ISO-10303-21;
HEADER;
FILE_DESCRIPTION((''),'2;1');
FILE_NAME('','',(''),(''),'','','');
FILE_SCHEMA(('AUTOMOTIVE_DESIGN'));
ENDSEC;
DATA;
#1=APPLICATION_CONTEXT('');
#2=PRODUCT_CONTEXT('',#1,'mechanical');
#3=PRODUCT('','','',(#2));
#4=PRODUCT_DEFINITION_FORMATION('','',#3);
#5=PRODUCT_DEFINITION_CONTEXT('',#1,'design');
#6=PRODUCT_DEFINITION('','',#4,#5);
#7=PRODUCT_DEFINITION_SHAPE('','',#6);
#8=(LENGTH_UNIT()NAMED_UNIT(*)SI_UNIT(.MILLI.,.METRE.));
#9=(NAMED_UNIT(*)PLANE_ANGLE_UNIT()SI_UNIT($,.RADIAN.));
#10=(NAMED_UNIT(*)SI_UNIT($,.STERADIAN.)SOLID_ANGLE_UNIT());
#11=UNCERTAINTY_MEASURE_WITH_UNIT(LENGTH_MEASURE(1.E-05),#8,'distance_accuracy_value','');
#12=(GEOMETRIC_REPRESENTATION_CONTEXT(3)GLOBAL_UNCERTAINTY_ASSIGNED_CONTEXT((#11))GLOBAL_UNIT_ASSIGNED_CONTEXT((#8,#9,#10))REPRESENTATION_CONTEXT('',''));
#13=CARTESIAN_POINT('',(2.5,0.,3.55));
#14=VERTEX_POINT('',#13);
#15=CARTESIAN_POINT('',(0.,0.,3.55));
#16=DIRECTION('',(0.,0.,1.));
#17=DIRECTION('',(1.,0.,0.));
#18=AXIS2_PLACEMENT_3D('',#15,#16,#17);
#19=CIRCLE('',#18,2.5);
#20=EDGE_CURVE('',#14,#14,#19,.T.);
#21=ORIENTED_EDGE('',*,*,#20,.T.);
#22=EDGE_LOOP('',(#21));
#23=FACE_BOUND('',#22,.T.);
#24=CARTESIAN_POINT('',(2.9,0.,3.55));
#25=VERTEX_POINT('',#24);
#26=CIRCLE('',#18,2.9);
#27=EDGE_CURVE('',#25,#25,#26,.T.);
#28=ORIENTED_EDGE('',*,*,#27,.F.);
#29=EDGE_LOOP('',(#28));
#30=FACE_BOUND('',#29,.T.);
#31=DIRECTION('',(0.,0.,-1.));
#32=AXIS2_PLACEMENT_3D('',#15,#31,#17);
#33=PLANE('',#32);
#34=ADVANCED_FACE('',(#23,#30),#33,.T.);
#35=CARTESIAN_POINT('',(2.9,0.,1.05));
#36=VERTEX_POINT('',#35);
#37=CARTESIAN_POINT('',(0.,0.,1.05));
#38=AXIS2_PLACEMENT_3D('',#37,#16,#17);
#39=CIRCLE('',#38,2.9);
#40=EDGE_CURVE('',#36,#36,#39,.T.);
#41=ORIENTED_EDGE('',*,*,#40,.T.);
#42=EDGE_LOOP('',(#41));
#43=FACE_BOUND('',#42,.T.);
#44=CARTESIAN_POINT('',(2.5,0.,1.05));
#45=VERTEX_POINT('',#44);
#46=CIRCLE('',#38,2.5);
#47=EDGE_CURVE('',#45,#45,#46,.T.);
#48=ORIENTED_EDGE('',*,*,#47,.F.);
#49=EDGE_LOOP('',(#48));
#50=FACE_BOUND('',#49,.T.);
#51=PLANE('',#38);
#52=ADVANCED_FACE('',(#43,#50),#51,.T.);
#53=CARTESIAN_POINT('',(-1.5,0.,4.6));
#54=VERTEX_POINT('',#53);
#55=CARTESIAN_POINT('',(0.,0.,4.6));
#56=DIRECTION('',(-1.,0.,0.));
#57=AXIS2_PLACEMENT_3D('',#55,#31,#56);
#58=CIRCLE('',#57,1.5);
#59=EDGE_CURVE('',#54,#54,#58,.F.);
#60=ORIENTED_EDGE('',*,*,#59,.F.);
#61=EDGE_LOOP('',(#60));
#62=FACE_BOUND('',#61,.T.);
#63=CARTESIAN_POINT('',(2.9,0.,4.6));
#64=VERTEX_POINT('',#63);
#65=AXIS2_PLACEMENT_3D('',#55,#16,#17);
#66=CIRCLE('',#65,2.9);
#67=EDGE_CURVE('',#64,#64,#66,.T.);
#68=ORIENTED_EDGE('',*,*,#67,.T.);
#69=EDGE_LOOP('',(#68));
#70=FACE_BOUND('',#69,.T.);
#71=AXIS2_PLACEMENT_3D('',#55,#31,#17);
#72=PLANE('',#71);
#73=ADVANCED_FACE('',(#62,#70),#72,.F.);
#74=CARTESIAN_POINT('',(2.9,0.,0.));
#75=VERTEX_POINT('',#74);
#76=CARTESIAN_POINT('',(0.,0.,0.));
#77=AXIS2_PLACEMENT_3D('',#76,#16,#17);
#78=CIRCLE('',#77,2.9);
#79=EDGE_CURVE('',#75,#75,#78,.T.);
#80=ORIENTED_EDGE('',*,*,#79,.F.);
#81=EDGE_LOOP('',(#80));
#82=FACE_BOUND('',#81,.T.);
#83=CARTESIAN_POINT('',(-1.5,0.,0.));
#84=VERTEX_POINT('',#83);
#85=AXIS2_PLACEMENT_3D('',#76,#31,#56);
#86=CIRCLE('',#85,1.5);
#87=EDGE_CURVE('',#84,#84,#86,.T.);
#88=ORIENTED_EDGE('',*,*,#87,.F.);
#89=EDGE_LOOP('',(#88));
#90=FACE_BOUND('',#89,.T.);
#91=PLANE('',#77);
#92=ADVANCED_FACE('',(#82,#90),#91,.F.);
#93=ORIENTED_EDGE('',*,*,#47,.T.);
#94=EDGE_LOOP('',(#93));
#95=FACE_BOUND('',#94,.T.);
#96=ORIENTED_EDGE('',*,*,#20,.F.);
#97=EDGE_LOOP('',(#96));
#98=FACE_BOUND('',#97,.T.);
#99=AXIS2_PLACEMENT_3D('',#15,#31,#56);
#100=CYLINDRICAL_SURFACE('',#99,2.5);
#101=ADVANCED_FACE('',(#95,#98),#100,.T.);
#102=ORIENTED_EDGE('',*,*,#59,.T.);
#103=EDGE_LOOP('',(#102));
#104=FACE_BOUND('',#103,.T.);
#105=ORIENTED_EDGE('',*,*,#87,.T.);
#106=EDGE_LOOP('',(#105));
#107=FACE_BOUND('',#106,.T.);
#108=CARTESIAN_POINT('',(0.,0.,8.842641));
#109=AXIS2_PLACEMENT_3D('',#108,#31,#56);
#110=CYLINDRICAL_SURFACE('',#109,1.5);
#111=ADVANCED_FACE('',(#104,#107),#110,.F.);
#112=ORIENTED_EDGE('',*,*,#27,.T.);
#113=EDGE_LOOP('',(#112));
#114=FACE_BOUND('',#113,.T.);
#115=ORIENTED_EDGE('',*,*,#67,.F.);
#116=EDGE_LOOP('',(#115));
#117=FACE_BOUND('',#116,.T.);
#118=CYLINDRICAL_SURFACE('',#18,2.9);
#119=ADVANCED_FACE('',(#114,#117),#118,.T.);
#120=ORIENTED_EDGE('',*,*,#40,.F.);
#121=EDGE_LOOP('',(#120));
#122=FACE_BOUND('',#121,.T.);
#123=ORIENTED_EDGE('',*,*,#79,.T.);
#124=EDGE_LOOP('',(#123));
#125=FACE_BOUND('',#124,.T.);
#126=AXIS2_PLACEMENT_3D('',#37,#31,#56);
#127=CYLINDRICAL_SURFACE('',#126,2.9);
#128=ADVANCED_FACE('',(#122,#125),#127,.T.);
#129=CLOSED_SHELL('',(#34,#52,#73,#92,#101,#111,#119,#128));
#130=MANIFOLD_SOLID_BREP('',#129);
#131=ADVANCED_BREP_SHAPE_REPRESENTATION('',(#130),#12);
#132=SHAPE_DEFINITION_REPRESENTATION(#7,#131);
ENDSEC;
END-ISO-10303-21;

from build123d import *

# Parameters (mm, degrees)
SKETCH1_R           = 2.9
BOSS_EXTRUDE1_DEPTH = 1.05
SKETCH2_R           = 2.5
BOSS_EXTRUDE2_DEPTH = 2.5
SKETCH3_R           = 1.5
CUT_EXTRUDE1_DEPTH  = 4.6


with BuildPart() as part:
    # Sketch1 → Boss-Extrude1 (new body)
    with BuildSketch(Plane.XY):
        Circle(SKETCH1_R)
    boss_extrude1 = extrude(amount=BOSS_EXTRUDE1_DEPTH)

    # Sketch2 → Boss-Extrude2 (add)
    with BuildSketch(Plane.XY.offset(1.05)):
        Circle(SKETCH2_R)
    extrude(amount=BOSS_EXTRUDE2_DEPTH)

    # Mirror1: Boss-Extrude1 across plane
    add(boss_extrude1.mirror(Plane.XY.offset(2.3)))

    # Sketch3 → Cut-Extrude1 (cut)
    with BuildSketch(Plane(origin=(0, 0, 0), x_dir=(-1, 0, 0), z_dir=(0, 0, -1))):
        Circle(SKETCH3_R)
    extrude(amount=-CUT_EXTRUDE1_DEPTH, mode=Mode.SUBTRACT)


solid = part.part
